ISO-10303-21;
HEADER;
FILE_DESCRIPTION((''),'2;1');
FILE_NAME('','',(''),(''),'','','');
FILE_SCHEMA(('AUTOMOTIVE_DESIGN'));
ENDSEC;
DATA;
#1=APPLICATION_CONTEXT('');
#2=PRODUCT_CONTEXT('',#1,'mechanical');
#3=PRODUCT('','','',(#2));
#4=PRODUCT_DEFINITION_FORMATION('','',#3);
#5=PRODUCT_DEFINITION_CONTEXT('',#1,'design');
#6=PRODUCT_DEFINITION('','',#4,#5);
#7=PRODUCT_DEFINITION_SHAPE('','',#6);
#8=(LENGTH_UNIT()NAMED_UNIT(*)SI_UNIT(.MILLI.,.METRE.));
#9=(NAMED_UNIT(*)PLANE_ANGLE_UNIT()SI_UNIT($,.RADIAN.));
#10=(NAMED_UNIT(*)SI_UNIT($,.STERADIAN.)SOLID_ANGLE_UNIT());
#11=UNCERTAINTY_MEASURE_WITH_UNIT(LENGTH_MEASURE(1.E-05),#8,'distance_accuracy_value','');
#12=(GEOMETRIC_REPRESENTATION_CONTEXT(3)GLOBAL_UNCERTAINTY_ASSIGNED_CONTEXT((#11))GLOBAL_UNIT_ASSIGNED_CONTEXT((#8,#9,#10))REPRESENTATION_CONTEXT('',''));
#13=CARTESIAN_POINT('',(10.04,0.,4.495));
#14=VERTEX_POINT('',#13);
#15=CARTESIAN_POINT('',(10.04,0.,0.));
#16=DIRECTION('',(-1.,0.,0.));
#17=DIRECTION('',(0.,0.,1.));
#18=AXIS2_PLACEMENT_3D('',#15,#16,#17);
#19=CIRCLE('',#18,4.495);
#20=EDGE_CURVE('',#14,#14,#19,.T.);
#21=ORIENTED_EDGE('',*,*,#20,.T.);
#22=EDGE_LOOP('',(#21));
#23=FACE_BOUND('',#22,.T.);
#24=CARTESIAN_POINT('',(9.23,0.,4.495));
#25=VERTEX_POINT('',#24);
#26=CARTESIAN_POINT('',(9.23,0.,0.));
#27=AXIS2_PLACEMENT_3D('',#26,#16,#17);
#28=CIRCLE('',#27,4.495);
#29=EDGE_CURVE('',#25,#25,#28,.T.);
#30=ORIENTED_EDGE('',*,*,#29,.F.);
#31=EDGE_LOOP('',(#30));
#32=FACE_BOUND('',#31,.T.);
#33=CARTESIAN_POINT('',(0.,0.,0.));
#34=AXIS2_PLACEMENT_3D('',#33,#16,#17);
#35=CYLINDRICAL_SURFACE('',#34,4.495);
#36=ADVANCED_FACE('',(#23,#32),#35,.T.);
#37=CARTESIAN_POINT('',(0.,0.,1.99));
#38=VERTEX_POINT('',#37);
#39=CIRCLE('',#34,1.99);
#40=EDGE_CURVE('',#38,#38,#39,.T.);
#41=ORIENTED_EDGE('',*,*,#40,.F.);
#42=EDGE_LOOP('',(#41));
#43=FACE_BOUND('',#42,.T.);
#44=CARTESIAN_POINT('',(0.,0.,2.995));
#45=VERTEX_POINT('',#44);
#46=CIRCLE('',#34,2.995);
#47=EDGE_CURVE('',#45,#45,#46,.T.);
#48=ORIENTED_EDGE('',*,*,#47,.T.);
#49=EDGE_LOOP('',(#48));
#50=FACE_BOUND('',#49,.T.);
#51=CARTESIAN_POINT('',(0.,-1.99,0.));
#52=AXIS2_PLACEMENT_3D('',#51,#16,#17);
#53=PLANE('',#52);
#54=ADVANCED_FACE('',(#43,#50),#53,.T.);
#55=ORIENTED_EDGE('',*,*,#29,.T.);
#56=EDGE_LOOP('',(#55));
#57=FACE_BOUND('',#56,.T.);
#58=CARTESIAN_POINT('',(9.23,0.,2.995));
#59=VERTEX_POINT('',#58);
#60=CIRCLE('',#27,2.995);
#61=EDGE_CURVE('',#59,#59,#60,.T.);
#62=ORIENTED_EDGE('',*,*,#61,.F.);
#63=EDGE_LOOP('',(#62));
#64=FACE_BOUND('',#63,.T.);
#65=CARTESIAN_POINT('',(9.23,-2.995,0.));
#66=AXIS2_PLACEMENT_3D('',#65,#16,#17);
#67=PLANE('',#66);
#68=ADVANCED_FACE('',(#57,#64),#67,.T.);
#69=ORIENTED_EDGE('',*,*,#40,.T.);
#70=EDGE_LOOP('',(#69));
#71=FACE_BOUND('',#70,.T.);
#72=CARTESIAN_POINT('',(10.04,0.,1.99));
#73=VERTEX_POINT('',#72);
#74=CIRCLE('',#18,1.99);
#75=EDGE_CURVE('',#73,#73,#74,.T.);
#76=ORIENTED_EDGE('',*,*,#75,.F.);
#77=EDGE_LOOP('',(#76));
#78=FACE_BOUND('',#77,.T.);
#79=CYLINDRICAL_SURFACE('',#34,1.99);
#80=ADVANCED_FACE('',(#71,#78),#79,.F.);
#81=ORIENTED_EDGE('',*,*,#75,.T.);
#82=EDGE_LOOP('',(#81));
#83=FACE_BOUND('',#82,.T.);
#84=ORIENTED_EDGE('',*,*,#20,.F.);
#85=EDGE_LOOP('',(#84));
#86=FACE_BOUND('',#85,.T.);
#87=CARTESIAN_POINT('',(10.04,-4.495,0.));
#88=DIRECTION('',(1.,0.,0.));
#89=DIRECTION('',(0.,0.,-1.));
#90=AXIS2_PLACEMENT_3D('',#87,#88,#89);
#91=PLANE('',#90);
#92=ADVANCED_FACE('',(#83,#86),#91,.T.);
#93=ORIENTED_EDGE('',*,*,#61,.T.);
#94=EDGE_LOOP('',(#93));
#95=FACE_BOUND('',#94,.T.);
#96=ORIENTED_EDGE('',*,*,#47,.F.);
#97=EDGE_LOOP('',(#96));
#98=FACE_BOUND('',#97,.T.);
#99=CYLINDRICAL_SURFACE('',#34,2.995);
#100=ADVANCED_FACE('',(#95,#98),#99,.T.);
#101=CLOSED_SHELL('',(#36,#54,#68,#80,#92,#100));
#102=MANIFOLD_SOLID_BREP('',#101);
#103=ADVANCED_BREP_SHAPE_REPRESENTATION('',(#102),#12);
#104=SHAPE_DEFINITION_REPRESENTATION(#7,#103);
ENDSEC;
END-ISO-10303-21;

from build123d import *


with BuildPart() as part:
    # Schizzo1 → Rivoluzione1 (revolve)
    with BuildSketch(Plane.XY, mode=Mode.PRIVATE) as rivoluzione1_sk:
        Polygon((0, -1.99), (0, -2.995), (9.23, -2.995), (9.23, -4.495), (10.04, -4.495), (10.04, -1.99), align=None)
    revolve(rivoluzione1_sk.sketch.rotate(Axis((0, 0, 0), (1, 0, 0)), 270), axis=Axis((0, 0, 0), (1, 0, 0)))


solid = part.part
